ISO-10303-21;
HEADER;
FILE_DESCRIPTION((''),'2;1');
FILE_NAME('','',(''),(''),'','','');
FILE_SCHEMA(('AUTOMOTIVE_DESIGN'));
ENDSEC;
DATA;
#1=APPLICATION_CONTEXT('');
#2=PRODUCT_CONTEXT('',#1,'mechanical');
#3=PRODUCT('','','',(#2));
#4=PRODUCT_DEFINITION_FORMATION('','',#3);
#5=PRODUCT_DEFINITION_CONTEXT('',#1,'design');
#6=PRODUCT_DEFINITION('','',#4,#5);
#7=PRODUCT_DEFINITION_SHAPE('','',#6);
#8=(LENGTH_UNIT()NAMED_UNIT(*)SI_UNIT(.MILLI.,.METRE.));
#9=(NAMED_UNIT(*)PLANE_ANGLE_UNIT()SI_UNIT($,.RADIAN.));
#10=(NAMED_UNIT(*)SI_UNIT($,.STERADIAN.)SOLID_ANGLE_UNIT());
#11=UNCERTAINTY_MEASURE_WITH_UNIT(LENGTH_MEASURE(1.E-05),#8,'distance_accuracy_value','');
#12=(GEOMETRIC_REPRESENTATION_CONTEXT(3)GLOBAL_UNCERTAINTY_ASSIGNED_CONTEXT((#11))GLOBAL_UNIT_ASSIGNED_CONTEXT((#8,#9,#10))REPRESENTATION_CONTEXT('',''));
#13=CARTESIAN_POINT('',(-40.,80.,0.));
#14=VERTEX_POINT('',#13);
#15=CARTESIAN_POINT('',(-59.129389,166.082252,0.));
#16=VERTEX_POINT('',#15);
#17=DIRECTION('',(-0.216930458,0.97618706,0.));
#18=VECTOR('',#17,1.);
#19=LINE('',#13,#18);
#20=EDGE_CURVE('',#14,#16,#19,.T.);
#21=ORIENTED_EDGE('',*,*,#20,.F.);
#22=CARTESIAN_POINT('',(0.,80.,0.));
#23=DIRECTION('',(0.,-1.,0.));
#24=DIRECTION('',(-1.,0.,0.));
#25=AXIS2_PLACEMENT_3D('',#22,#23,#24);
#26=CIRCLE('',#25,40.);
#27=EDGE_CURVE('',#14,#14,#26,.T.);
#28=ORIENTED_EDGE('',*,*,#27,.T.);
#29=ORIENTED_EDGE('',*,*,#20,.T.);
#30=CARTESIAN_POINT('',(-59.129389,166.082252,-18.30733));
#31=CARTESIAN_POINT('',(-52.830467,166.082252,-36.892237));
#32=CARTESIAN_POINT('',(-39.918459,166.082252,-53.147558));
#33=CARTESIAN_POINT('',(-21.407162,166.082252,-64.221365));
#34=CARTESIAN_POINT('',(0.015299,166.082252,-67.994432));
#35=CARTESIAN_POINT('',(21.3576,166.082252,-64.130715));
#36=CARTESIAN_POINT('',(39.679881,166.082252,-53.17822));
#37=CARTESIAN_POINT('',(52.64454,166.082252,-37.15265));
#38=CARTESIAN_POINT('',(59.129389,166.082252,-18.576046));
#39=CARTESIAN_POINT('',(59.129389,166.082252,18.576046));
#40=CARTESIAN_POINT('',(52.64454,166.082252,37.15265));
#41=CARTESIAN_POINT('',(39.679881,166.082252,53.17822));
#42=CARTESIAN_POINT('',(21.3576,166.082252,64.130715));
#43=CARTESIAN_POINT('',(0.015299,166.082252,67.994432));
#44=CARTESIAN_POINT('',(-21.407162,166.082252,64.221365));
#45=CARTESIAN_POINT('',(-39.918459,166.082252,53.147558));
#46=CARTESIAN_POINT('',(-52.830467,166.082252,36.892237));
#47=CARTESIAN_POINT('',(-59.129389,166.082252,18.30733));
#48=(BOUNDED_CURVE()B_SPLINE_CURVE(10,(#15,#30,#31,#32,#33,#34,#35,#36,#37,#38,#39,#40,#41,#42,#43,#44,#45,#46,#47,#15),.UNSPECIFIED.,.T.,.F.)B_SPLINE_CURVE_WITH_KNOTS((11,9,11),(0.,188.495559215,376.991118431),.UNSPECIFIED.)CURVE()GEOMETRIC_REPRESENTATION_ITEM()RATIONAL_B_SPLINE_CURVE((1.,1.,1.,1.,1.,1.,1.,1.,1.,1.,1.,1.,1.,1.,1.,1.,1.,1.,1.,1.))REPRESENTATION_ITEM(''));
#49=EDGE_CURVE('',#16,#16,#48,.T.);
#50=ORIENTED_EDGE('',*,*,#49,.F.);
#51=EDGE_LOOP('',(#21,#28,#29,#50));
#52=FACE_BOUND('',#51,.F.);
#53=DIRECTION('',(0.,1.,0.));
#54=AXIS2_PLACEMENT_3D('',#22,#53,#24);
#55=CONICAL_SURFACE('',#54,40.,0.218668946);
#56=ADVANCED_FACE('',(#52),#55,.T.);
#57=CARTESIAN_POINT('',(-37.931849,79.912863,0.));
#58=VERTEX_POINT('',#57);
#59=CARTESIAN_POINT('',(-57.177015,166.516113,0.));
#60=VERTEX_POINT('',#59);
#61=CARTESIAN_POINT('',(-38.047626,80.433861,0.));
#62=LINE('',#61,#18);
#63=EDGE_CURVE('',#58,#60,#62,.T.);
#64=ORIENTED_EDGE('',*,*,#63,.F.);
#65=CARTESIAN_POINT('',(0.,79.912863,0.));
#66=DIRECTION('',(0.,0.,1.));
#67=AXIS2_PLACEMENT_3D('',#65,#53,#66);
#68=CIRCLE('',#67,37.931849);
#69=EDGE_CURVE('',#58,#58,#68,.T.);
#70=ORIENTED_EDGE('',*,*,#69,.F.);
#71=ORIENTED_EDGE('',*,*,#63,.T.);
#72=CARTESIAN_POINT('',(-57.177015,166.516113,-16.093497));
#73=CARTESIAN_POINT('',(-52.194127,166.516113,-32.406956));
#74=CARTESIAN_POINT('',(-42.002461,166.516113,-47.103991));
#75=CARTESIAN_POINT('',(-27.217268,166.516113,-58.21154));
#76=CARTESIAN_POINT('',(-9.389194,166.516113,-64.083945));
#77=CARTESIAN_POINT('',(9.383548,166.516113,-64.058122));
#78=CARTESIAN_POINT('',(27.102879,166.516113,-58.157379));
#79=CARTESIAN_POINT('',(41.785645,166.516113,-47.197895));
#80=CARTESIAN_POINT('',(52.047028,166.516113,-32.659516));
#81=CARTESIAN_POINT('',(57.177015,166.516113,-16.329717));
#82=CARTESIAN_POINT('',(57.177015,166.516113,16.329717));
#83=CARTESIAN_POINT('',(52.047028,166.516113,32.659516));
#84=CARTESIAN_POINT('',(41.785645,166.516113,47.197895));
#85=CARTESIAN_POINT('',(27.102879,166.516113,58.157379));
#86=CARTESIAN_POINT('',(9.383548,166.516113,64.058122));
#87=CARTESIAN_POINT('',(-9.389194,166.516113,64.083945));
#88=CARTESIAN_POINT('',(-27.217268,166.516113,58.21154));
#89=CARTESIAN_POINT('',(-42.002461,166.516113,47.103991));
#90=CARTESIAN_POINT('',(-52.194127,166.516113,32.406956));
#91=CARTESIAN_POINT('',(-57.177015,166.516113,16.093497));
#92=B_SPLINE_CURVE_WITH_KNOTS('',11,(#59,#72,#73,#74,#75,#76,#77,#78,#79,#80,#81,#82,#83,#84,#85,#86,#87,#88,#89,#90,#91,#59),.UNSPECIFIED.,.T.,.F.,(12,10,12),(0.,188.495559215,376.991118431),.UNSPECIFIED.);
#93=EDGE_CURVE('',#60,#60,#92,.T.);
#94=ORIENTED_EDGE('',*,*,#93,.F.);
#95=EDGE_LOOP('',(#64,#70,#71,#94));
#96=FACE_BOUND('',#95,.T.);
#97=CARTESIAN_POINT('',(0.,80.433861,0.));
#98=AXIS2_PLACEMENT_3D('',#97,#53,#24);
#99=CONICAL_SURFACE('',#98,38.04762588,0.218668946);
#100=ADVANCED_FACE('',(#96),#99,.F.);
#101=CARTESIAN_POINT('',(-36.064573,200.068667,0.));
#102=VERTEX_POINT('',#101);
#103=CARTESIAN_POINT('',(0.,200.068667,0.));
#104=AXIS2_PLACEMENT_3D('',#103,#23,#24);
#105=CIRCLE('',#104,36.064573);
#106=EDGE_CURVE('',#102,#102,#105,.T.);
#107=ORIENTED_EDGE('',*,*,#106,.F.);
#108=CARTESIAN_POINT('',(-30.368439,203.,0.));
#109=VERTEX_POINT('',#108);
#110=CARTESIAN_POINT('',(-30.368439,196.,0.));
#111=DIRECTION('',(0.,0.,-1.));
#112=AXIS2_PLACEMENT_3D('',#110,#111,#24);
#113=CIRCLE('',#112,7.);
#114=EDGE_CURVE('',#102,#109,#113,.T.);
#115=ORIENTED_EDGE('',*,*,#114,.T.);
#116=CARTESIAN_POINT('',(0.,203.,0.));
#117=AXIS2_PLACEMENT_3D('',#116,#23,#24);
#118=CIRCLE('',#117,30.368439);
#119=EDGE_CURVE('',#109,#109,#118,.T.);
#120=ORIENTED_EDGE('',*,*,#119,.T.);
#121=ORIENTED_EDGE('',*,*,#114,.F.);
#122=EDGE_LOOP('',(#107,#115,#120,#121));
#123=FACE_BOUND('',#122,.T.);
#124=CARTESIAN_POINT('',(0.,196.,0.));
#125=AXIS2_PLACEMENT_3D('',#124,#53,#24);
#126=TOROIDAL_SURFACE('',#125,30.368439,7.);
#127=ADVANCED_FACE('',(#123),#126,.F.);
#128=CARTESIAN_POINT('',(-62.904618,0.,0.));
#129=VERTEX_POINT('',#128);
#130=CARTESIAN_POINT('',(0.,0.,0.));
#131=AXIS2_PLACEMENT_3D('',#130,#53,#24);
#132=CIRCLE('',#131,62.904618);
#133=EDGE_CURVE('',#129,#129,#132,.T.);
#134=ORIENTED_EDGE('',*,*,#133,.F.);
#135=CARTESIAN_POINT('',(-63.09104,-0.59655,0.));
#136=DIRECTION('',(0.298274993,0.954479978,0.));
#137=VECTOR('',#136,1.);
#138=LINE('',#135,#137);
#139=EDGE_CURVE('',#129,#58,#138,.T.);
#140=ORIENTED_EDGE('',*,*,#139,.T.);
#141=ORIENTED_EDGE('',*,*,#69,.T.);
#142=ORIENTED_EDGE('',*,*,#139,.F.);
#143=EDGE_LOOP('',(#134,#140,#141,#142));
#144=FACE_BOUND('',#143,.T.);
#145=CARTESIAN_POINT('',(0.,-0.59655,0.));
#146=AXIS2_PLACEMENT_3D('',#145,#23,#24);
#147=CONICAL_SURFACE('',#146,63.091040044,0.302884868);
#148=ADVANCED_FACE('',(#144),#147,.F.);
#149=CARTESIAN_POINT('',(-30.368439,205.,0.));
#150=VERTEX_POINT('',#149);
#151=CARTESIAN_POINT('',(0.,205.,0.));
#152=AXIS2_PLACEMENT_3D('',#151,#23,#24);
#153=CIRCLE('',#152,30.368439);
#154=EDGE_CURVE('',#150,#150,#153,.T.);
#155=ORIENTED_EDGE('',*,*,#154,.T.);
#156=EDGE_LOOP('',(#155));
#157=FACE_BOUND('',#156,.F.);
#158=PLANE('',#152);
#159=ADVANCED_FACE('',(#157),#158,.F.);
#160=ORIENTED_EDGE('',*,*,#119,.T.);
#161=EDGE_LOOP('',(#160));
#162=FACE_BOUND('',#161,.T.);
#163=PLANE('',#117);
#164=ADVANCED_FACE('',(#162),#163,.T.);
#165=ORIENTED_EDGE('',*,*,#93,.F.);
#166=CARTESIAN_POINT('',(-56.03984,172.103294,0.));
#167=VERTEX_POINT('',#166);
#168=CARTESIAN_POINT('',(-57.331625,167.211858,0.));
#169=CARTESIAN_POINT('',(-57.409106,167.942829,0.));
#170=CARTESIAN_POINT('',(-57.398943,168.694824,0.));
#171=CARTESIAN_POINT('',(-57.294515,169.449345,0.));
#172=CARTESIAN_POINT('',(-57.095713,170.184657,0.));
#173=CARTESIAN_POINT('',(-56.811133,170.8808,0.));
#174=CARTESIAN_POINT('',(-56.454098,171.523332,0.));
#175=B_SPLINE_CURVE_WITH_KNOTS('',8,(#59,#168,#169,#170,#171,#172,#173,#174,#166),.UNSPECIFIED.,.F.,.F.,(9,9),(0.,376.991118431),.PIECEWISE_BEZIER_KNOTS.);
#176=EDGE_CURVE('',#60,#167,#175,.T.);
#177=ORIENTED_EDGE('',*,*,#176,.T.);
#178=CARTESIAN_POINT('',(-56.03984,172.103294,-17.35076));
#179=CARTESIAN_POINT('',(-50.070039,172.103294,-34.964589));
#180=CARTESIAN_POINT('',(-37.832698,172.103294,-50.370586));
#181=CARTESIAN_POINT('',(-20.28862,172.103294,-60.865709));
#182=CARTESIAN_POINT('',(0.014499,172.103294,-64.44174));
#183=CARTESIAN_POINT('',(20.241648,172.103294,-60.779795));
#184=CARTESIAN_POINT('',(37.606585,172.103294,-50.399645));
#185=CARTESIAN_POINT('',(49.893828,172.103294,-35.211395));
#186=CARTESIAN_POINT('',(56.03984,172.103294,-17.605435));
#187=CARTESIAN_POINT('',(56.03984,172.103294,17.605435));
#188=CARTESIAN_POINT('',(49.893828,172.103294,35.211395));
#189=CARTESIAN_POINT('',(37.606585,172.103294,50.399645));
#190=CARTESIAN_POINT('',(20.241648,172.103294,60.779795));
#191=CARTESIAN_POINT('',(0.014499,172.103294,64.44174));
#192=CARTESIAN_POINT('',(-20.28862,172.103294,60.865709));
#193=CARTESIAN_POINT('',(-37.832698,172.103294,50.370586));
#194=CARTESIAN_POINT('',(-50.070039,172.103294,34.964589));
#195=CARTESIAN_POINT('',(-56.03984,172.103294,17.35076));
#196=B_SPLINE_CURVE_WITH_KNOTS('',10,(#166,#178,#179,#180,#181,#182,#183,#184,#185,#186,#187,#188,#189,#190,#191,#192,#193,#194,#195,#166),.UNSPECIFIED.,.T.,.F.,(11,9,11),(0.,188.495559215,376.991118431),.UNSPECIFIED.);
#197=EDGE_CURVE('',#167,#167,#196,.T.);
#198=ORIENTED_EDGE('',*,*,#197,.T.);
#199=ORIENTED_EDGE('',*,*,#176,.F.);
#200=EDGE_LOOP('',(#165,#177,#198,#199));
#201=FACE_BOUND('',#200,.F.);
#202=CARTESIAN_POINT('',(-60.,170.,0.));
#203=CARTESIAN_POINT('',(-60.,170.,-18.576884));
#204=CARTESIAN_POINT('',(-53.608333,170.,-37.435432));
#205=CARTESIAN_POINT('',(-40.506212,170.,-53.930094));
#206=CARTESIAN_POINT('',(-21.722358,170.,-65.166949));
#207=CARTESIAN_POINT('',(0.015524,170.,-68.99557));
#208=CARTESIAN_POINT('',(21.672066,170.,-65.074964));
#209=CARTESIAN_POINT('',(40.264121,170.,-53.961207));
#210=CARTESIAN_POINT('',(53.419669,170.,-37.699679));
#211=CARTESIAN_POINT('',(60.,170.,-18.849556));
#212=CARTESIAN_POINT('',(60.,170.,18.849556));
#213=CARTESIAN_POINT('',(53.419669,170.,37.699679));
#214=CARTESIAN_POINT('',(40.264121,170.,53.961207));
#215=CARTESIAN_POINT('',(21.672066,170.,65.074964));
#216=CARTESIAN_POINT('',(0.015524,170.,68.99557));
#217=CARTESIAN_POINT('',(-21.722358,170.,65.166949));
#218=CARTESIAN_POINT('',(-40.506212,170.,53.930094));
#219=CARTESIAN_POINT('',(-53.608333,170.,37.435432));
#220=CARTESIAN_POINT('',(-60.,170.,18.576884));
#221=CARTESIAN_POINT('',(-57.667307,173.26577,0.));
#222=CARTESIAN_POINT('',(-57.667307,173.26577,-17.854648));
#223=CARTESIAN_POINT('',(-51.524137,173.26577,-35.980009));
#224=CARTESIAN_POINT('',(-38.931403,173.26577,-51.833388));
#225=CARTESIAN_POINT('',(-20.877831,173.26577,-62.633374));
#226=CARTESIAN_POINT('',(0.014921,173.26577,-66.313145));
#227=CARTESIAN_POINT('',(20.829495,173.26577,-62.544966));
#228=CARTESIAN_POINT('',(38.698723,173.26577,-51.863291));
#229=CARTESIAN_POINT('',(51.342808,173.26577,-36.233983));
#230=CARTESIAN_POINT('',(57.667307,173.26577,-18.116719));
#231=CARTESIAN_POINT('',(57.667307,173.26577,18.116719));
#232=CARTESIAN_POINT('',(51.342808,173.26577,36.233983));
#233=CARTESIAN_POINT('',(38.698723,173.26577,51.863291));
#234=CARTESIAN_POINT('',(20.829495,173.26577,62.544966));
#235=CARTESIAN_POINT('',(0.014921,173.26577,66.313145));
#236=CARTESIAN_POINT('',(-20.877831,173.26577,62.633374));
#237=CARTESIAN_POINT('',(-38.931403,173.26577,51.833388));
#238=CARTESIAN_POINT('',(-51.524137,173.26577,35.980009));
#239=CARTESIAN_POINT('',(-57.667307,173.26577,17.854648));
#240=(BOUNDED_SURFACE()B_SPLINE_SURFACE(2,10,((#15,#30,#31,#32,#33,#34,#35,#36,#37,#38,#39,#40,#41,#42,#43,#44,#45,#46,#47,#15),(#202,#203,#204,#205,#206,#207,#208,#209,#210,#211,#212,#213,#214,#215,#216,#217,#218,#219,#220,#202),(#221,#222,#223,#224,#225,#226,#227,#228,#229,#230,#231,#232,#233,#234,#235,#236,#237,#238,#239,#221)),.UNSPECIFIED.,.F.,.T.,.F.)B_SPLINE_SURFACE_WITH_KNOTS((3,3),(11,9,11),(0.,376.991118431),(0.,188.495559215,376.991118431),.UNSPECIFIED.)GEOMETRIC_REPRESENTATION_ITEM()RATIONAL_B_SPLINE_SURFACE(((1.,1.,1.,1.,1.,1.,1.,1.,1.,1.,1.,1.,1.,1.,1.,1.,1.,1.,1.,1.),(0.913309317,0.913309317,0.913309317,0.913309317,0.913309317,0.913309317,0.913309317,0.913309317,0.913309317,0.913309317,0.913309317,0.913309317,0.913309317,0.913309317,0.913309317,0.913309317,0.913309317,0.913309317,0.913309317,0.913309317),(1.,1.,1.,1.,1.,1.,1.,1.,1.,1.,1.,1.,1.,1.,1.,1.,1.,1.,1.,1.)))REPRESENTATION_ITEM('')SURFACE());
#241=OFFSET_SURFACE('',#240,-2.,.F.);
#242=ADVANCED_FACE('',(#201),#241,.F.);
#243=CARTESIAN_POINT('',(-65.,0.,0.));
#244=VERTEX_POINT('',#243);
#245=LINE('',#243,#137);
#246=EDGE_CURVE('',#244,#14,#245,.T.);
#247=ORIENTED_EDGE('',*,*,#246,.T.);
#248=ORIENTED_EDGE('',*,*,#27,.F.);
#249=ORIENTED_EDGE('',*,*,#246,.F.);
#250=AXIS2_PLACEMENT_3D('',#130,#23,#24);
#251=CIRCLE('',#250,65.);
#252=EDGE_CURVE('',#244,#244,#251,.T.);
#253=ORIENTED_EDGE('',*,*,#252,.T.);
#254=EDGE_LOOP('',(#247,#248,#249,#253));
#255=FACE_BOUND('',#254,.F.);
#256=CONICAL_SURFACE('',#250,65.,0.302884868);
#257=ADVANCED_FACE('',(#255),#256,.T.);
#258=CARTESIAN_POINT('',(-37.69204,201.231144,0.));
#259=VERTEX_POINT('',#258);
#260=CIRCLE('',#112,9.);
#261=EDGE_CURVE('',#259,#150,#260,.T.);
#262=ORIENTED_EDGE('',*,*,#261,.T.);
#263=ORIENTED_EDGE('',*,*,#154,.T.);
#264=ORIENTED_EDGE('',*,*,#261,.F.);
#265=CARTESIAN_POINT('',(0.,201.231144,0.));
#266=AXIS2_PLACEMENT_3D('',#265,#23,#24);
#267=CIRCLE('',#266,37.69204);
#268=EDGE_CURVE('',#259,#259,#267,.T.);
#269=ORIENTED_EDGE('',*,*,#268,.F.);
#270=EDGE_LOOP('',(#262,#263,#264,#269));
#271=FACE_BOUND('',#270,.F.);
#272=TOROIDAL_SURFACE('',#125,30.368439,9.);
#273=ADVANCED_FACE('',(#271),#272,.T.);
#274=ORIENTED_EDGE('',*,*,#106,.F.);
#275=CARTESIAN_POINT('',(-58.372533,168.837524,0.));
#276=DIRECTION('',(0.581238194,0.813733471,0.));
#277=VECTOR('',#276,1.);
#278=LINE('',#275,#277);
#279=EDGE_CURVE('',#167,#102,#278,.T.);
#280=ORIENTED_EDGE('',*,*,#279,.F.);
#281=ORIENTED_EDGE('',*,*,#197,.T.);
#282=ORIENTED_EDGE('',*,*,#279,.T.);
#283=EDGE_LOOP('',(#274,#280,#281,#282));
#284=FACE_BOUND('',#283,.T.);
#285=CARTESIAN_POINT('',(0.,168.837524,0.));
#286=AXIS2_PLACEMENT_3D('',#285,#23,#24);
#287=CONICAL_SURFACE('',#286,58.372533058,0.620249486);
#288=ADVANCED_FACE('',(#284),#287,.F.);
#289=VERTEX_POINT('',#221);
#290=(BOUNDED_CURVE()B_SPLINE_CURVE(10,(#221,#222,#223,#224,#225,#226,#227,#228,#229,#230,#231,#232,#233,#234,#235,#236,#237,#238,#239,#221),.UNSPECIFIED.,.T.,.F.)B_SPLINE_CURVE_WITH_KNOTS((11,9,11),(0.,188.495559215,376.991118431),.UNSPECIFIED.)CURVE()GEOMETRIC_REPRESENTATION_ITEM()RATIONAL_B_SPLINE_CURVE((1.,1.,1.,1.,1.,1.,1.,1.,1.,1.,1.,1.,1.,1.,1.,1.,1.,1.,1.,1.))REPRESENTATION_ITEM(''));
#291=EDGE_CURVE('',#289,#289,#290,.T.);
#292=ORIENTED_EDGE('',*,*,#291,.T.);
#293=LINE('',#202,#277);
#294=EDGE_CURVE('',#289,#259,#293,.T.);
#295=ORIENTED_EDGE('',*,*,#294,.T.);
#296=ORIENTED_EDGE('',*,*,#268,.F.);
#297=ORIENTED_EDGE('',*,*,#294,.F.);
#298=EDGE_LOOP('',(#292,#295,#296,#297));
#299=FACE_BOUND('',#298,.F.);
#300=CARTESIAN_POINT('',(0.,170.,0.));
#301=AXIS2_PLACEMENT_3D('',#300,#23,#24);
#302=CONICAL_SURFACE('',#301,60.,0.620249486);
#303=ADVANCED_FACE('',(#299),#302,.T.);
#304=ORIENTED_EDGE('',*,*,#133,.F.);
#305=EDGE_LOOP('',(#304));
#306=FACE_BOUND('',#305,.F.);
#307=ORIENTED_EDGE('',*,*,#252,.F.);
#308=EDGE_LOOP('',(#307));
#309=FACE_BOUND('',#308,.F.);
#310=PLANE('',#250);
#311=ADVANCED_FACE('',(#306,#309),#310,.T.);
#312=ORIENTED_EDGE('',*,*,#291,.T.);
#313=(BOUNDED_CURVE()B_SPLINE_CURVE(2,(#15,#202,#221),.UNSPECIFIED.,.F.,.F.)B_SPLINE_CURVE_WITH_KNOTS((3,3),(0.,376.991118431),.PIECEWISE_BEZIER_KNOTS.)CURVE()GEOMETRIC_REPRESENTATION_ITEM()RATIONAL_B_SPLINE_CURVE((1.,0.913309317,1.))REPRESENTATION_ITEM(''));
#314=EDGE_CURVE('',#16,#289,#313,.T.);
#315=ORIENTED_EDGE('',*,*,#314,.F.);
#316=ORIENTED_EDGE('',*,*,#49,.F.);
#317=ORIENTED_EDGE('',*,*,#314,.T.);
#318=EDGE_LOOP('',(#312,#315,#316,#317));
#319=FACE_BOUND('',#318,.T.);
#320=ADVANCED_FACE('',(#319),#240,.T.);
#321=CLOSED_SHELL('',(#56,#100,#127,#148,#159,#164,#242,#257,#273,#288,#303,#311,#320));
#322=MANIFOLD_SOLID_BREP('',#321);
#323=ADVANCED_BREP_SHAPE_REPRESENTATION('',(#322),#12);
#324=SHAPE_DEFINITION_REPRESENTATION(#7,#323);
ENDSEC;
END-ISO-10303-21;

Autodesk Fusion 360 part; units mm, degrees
sketch "Esquisse1" plane through (0, 0, 0) normal (0, 0, 1) x (1, 0, 0)
  line L0 (0, 0) -> (-65, 0)
  line L1 (-65, 0) -> (-40, 80)
  line L2 (-40, 80) -> (-60, 170)
  line L3 (-60, 170) -> (-35, 205)
  line L4 (-35, 205) -> (0, 205)
  line L5 (0, 205) -> (0, 0)
  dimension "d1" = 65
  dimension "d3" = 35
  dimension "d4" = 90
  dimension "d5" = 80
  dimension "d6" = 40
  dimension "d7" = 60
  dimension "d8" = 35
revolve "Révolution1" add sketch "Esquisse1" angle 360 about axis through (0, 205, 0) along (0, -1, 0)
fillet "Congé1" radius 9 1 edges at (-55.9396, 170, 21.6969)
fillet "Congé2" radius 9 1 edges at (-32.6315, 205, 12.6565)
shell "Coque1" thickness 2 removed faces 1 at (20.2416, 0, -0.2148)
